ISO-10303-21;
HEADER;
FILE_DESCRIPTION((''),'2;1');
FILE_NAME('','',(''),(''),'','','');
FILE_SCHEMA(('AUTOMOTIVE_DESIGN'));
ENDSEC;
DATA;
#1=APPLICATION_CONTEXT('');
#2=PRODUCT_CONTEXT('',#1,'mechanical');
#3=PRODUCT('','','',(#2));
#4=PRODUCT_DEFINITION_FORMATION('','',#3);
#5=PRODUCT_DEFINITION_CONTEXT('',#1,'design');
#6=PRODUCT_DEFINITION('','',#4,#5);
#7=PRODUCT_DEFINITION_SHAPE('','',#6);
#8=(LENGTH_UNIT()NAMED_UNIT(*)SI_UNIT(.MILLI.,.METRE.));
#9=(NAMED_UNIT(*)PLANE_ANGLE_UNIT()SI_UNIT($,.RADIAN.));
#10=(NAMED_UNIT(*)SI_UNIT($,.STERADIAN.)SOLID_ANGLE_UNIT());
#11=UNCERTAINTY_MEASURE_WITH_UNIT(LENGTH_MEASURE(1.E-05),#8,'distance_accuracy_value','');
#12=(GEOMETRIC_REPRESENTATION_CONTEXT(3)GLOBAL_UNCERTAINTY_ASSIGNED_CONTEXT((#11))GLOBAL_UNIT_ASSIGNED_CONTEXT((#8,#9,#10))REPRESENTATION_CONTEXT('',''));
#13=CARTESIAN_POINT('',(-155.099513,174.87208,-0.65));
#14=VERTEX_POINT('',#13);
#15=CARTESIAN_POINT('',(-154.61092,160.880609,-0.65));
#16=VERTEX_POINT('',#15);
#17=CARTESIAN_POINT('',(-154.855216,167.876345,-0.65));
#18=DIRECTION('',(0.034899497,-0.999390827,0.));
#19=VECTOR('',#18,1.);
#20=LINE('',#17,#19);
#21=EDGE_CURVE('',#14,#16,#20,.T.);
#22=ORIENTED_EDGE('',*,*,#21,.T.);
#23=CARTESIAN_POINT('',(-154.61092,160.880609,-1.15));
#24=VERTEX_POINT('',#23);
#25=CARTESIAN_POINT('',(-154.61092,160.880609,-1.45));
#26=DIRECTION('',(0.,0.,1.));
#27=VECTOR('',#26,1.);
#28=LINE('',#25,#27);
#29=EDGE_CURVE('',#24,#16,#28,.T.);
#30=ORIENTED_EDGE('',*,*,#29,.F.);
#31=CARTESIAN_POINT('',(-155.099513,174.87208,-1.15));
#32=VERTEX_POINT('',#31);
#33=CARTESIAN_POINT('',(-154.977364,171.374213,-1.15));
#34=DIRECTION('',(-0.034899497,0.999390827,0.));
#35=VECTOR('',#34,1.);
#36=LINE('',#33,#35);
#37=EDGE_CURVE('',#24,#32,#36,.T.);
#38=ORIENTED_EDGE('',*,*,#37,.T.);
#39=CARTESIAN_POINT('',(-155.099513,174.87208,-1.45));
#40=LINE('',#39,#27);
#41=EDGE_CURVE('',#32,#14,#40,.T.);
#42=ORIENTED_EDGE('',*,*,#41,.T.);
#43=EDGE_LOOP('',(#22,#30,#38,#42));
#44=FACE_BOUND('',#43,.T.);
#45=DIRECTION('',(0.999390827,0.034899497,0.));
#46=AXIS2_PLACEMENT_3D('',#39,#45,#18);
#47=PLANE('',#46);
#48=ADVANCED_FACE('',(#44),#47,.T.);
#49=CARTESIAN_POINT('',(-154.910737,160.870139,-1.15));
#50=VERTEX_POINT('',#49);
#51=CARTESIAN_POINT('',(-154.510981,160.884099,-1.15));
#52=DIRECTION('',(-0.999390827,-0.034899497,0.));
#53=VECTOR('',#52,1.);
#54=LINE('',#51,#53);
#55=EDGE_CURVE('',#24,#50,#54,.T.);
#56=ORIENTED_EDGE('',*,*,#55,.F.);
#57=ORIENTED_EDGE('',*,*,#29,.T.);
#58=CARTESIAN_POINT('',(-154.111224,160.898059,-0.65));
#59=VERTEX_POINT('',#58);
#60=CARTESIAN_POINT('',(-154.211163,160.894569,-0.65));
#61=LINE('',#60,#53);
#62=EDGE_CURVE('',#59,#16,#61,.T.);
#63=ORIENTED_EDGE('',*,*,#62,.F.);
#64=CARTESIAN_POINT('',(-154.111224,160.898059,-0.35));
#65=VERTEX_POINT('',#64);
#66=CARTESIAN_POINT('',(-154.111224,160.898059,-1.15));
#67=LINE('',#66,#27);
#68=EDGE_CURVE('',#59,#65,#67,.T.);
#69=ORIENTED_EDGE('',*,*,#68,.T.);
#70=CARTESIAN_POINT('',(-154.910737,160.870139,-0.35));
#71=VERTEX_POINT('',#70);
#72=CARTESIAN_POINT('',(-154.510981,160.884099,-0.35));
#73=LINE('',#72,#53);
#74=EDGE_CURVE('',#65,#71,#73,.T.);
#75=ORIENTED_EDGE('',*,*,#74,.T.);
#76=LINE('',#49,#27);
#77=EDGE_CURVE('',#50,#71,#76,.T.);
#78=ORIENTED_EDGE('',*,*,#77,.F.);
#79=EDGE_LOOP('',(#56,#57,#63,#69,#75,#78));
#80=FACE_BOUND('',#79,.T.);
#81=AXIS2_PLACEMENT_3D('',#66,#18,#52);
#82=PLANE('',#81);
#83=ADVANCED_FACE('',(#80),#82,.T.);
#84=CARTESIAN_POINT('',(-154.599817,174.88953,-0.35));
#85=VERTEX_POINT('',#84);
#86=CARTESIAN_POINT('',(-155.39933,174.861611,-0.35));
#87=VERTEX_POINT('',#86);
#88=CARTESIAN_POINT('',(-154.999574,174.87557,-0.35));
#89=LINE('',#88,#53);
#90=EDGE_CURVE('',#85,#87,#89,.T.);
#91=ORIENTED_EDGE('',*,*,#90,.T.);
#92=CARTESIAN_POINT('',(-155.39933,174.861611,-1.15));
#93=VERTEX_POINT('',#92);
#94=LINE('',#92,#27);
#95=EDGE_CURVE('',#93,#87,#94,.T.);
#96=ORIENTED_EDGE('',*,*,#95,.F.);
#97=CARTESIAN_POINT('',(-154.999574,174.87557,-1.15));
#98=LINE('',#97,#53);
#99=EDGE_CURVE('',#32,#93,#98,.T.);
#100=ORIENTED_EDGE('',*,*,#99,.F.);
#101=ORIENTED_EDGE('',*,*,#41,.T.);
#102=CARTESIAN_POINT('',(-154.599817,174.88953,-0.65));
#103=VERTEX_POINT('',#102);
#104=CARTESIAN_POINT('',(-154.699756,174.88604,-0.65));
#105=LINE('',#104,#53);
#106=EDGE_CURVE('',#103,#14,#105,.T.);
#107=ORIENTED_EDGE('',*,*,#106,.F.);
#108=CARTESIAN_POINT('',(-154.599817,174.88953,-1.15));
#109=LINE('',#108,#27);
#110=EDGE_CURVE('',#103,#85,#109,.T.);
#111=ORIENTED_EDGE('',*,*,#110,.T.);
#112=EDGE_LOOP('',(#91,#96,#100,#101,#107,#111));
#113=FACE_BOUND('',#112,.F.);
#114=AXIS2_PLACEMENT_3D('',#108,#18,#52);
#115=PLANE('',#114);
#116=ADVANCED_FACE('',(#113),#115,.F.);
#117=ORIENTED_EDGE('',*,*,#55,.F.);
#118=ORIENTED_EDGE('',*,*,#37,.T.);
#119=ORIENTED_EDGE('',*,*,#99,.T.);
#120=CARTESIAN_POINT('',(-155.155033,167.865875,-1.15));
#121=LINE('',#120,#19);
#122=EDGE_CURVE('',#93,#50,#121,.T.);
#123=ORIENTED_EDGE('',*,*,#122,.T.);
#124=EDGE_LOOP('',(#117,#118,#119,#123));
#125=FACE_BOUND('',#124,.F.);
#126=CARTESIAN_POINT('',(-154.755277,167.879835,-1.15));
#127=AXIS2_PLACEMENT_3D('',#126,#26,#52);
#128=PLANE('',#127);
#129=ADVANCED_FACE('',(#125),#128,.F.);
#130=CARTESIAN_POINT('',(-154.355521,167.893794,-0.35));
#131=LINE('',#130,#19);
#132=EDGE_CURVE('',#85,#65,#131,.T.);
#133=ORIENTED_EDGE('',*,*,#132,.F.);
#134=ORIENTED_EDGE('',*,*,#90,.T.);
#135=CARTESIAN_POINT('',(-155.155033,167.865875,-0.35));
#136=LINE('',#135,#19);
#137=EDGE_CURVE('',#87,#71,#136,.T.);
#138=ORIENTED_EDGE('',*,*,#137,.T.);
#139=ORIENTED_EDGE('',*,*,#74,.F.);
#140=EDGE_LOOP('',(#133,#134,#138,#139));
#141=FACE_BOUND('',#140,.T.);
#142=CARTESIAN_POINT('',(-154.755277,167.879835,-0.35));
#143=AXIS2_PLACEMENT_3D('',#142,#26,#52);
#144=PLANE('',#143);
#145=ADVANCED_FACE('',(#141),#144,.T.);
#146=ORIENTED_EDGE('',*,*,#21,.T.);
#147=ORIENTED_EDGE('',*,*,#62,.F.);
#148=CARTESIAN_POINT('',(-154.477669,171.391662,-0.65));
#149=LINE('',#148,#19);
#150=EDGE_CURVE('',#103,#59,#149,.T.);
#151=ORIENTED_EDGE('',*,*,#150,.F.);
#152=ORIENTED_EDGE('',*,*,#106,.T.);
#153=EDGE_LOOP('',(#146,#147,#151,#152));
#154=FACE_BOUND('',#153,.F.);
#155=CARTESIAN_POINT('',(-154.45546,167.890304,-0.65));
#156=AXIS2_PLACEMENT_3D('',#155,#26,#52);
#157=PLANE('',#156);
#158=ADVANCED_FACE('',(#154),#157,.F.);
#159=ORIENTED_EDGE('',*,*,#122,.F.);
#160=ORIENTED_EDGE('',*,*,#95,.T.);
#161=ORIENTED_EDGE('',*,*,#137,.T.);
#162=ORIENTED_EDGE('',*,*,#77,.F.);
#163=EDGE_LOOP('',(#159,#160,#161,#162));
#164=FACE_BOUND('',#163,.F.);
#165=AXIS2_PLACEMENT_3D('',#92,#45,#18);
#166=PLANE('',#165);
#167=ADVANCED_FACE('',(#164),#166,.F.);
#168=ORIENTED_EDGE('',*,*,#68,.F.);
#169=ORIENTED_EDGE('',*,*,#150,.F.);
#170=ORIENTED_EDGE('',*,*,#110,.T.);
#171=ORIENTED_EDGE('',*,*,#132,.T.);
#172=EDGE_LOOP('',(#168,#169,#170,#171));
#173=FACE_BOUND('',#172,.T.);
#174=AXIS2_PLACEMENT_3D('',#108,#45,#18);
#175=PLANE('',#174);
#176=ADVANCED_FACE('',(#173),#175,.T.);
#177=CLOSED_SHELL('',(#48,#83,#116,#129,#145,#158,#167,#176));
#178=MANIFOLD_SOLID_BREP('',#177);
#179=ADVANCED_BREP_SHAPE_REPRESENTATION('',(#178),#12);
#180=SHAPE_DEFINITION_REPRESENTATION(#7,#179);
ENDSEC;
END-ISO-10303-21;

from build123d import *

# Parameters (mm, degrees)
BOX179_W               = 0.8
BOX179_H               = 14
BOX179_DEPTH           = 0.8
BOX180_W               = 0.8
BOX180_H               = 14
BOX180_DEPTH           = 0.8
CUT093_PLACEMENT_ANGLE = 182


with BuildPart() as cubo179:
    # Box179 → Box179 (new body)
    with BuildSketch(Plane.XY):
        with Locations((0.4, 7)):
            Rectangle(BOX179_W, BOX179_H)
    extrude(amount=BOX179_DEPTH)


with BuildPart() as perfil_l_2da_cara035:
    # Box180 → Box180 (new body)
    with BuildSketch(Plane(origin=(0.3, 0, 0.3), x_dir=(1, 0, 0), z_dir=(0, 0, 1))):
        with Locations((0.4, 7)):
            Rectangle(BOX180_W, BOX180_H)
    extrude(amount=BOX180_DEPTH)

    # Cut093: cut Cubo179
    add(cubo179.part, mode=Mode.SUBTRACT)


with BuildPart() as perfil_l_2da_cara035_1:
    # Cut093 placement: moved
    add(perfil_l_2da_cara035.part.moved(Location((-154.3, 174.9, -1.45))).rotate(Axis((-154.3, 174.9, -1.45), (0, 0, 1)), CUT093_PLACEMENT_ANGLE))


solid = perfil_l_2da_cara035_1.part
